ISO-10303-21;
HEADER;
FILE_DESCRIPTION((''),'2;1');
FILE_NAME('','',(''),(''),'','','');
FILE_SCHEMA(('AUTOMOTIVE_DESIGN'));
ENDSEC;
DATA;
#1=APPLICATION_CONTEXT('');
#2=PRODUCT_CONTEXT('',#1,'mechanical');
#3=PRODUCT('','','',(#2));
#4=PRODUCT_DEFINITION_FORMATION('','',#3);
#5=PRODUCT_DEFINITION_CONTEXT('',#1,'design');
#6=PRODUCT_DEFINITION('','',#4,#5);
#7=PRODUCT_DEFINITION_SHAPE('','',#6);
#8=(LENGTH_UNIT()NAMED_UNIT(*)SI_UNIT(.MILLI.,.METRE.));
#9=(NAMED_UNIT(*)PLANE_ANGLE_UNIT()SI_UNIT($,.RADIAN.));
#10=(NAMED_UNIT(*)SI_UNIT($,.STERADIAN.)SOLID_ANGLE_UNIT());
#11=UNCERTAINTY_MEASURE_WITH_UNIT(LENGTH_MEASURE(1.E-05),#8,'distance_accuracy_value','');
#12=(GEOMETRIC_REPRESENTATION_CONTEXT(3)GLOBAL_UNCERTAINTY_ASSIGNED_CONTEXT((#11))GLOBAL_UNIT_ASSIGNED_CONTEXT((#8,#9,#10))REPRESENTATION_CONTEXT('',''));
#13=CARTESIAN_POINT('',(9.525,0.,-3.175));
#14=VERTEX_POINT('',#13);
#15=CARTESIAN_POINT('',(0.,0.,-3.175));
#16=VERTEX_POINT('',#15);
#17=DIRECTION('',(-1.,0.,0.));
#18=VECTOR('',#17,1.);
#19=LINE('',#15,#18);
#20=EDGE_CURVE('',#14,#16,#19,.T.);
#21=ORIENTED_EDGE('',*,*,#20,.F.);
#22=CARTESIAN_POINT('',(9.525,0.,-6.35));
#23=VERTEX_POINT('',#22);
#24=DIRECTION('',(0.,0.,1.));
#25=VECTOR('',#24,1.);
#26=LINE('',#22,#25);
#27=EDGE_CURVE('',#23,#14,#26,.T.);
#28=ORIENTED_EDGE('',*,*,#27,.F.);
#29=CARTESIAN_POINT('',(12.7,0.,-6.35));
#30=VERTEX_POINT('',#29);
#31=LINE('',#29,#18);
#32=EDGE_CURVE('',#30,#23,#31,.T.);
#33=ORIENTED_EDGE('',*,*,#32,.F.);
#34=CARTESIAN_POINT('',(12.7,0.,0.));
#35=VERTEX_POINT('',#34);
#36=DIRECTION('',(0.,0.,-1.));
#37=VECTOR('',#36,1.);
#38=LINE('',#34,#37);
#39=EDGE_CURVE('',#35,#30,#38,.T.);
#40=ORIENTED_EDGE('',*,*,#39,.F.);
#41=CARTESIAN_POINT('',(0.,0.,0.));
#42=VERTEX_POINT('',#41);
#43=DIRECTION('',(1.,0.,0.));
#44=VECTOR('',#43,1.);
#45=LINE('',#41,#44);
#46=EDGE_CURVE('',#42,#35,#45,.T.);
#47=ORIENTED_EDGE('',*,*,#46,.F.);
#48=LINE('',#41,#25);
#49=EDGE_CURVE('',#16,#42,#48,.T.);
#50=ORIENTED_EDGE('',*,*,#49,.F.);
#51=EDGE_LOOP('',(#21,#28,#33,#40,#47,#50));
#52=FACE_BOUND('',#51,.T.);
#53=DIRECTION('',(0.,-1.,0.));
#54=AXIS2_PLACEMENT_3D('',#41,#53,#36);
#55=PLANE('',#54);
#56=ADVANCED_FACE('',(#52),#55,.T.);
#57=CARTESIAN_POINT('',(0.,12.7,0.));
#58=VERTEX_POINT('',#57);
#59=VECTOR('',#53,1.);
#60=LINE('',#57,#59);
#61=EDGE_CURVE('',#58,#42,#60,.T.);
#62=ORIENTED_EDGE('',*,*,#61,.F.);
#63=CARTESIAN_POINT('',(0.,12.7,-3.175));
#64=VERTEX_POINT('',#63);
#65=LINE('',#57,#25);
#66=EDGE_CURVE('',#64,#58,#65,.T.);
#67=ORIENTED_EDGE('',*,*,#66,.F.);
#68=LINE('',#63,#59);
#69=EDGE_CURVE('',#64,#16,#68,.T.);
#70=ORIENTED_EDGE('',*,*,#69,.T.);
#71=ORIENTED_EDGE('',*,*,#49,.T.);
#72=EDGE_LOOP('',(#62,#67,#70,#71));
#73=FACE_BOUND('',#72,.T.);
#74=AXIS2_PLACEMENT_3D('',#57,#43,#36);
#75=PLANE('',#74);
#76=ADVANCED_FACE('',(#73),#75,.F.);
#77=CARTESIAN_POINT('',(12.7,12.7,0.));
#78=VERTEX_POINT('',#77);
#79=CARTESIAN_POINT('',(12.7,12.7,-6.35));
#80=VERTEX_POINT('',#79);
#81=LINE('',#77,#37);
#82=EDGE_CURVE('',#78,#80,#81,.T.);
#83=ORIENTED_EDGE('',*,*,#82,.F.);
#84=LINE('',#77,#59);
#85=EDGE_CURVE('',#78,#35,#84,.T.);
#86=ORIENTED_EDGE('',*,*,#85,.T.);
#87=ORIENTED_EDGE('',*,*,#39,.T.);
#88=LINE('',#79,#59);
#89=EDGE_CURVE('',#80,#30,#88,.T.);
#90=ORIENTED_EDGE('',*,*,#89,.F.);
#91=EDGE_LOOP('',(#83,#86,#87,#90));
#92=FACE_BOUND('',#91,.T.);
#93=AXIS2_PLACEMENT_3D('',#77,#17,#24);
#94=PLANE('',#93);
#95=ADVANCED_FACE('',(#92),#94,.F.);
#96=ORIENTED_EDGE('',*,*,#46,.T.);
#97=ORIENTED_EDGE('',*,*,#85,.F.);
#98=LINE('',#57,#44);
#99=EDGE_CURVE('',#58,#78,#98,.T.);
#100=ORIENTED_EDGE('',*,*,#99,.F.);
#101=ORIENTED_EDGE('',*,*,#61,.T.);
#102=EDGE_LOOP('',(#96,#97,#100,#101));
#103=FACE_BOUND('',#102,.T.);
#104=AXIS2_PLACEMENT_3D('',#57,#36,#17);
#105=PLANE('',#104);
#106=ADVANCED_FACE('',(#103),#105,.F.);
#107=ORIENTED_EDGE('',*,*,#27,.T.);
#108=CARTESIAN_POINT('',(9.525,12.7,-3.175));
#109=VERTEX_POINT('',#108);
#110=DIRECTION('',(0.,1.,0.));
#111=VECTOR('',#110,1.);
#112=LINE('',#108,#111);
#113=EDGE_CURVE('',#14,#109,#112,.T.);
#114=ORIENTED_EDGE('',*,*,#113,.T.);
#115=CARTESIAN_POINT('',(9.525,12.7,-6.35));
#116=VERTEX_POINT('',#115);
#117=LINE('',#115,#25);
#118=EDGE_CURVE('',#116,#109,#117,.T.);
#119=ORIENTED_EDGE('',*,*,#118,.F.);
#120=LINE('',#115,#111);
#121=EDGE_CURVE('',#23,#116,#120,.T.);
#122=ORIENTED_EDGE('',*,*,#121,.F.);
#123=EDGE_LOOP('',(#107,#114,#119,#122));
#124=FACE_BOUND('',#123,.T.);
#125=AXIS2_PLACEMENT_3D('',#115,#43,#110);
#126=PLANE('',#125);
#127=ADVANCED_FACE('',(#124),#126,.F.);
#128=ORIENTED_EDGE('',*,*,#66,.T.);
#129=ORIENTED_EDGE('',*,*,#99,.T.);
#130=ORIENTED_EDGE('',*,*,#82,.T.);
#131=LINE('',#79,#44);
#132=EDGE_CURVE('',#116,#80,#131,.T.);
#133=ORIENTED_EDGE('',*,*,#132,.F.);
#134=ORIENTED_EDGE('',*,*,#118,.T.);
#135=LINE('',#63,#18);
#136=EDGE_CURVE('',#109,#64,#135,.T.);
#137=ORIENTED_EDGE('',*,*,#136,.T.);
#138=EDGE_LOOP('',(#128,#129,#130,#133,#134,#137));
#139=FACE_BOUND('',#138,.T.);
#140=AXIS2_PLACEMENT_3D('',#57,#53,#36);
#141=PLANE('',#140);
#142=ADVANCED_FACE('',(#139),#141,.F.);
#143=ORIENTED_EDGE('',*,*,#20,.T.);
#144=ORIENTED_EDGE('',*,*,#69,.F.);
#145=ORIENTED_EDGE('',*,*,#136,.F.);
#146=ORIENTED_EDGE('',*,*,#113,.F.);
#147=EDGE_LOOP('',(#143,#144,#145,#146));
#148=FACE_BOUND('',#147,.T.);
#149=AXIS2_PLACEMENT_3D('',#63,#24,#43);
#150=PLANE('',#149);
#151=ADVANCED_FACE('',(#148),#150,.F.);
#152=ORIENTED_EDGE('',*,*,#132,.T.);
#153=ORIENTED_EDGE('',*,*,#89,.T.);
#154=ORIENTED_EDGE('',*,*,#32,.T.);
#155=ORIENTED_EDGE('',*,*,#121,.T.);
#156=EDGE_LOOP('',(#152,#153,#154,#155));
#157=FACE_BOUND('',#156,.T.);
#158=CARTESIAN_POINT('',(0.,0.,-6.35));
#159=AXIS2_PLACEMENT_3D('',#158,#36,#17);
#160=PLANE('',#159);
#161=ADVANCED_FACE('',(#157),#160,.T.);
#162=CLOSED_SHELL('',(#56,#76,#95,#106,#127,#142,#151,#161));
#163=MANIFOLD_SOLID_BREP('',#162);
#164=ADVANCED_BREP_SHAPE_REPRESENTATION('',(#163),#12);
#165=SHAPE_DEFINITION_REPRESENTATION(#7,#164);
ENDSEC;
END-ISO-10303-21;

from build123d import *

# Parameters (mm, degrees)
SKETCH1_W           = 12.7
SKETCH1_H           = 3.175
BOSS_EXTRUDE1_DEPTH = 12.7
SKETCH2_W           = 3.175
SKETCH2_H           = 12.7
BOSS_EXTRUDE2_DEPTH = 3.175


with BuildPart() as part:
    # Sketch1 → Boss-Extrude1 (new body)
    with BuildSketch(Plane(origin=(0, 0, 0), x_dir=(1, 0, 0), z_dir=(0, 1, 0))):
        with Locations((6.35, 1.5875)):
            Rectangle(SKETCH1_W, SKETCH1_H)
    extrude(amount=BOSS_EXTRUDE1_DEPTH)

    # Sketch2 → Boss-Extrude2 (add)
    with BuildSketch(Plane(origin=(0, 0, -3.175), x_dir=(-1, 0, 0), z_dir=(0, 0, -1))):
        with Locations((-11.1125, 6.35)):
            Rectangle(SKETCH2_W, SKETCH2_H)
    extrude(amount=BOSS_EXTRUDE2_DEPTH)


solid = part.part
